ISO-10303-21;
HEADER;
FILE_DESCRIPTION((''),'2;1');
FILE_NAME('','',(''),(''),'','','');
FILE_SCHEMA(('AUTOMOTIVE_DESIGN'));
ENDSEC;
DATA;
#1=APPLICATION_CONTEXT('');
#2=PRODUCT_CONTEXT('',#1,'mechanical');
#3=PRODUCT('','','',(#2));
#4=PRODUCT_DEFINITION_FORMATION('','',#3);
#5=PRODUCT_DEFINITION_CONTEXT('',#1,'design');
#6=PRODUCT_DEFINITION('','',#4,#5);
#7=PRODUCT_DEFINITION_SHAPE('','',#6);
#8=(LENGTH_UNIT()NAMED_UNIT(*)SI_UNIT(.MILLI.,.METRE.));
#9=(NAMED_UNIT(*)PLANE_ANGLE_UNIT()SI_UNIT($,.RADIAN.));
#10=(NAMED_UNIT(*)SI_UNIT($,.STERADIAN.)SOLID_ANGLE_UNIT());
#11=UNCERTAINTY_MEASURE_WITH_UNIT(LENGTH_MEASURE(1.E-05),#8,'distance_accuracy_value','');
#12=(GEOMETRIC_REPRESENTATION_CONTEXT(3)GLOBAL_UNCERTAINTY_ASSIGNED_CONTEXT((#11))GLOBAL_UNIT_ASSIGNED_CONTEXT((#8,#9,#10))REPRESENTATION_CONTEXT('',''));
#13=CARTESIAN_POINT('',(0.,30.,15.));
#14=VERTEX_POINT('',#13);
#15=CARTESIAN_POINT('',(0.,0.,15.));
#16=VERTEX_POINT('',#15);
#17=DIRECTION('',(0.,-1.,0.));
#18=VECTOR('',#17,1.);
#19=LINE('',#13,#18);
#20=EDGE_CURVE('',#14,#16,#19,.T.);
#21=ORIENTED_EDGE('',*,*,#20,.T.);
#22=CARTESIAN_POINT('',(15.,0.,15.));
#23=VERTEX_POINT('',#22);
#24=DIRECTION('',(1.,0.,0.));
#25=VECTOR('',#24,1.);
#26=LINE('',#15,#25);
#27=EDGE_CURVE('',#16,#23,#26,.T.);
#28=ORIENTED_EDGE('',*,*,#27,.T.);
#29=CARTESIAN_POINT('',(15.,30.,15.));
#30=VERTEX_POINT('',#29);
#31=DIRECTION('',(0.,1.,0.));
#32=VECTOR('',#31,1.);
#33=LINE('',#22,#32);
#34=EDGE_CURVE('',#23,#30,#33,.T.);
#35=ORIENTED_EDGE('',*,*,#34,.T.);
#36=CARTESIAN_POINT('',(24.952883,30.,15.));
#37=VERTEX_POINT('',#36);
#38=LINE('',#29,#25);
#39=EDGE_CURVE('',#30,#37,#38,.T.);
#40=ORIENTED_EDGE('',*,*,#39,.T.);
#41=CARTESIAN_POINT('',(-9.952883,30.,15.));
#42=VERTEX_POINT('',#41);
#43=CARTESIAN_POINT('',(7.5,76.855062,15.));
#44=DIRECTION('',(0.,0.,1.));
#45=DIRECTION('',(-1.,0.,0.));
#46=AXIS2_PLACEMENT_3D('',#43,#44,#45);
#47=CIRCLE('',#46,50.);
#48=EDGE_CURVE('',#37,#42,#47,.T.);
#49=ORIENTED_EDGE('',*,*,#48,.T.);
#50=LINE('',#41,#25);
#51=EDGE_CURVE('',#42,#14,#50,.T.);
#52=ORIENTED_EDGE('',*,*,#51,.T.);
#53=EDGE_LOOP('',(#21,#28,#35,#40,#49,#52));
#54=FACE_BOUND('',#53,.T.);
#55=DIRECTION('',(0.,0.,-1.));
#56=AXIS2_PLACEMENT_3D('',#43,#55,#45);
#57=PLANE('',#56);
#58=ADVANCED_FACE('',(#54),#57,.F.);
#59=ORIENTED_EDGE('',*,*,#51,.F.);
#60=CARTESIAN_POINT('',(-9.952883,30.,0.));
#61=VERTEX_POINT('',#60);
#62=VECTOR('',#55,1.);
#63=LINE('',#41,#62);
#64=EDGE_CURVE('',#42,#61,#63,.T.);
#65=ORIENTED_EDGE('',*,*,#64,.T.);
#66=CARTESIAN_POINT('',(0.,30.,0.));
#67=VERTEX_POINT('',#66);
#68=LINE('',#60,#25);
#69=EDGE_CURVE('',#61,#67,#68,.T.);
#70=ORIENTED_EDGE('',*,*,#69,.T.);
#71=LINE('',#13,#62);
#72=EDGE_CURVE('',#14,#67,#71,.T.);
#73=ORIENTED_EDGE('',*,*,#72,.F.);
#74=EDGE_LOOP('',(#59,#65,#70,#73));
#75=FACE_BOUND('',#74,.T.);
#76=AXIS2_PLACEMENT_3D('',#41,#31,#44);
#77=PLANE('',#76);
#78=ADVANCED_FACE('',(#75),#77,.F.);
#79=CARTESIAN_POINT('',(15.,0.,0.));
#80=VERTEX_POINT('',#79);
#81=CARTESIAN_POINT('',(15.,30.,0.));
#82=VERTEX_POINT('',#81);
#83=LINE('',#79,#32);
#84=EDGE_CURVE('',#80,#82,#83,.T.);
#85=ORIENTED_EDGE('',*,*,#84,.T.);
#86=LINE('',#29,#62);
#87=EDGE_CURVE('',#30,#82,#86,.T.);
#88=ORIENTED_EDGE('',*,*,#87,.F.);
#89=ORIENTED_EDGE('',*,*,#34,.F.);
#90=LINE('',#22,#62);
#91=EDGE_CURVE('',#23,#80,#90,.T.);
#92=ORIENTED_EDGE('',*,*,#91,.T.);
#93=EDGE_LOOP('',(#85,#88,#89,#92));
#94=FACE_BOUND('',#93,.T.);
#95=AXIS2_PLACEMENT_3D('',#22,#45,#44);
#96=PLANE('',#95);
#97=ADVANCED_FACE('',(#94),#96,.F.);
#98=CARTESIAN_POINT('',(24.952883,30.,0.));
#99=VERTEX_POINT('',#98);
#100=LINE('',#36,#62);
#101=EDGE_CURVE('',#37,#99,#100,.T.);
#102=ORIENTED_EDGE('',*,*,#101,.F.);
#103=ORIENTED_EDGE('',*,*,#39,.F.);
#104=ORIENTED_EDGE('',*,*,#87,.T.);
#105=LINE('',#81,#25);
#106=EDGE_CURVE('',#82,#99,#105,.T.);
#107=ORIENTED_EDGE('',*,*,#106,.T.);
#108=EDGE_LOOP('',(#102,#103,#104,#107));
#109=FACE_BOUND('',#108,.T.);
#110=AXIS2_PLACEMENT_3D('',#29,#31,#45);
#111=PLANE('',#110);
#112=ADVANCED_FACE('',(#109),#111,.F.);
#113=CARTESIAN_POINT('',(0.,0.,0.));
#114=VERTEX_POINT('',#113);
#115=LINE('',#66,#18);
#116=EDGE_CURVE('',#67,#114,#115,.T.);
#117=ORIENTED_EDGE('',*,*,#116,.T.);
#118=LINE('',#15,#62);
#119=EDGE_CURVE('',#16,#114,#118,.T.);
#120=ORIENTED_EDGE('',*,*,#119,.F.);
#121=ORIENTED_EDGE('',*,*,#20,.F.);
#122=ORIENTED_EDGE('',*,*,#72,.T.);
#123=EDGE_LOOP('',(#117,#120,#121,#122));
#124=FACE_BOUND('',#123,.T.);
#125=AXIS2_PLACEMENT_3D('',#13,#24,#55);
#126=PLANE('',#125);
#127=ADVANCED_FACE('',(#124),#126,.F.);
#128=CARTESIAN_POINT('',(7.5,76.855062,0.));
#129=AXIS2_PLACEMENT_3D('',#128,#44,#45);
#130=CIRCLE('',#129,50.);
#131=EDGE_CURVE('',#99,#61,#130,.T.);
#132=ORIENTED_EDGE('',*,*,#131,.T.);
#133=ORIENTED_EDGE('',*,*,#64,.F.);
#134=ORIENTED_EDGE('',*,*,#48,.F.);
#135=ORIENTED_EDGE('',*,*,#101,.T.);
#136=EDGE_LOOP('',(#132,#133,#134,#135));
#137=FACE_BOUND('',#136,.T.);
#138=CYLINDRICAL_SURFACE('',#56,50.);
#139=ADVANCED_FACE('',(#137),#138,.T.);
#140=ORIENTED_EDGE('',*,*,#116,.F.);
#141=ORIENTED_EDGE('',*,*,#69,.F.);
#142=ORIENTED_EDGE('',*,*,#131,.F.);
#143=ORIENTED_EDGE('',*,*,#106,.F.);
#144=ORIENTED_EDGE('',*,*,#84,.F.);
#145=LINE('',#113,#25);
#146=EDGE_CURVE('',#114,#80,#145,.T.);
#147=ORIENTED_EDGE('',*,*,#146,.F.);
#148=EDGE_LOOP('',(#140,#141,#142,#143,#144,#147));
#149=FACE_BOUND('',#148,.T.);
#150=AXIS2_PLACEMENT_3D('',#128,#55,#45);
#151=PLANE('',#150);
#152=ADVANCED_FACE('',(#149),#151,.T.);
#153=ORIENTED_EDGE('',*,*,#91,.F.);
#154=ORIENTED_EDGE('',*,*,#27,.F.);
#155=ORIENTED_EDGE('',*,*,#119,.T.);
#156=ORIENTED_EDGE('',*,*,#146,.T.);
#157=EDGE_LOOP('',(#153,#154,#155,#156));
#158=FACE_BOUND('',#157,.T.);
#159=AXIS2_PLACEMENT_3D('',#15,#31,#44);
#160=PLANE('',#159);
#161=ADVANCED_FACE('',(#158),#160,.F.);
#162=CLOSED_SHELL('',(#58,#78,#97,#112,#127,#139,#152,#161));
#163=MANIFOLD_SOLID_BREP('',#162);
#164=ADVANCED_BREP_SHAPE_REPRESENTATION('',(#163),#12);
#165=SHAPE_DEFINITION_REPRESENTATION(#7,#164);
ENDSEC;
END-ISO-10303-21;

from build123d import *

# Parameters (mm, degrees)
BOSS_EXTRUDE1_DEPTH = 15


with BuildPart() as part:
    # Sketch1 → Boss-Extrude1 (new body)
    with BuildSketch(Plane.XY):
        with BuildLine():
            Line((-9.95288323, 30), (0, 30))
            Line((0, 30), (0, 0))
            Line((0, 0), (15, 0))
            Line((15, 0), (15, 30))
            Line((15, 30), (24.95288323, 30))
            ThreePointArc((24.95288323, 30), (7.5, 126.855062341), (-9.95288323, 30))
        make_face()
    extrude(amount=BOSS_EXTRUDE1_DEPTH)


solid = part.part
